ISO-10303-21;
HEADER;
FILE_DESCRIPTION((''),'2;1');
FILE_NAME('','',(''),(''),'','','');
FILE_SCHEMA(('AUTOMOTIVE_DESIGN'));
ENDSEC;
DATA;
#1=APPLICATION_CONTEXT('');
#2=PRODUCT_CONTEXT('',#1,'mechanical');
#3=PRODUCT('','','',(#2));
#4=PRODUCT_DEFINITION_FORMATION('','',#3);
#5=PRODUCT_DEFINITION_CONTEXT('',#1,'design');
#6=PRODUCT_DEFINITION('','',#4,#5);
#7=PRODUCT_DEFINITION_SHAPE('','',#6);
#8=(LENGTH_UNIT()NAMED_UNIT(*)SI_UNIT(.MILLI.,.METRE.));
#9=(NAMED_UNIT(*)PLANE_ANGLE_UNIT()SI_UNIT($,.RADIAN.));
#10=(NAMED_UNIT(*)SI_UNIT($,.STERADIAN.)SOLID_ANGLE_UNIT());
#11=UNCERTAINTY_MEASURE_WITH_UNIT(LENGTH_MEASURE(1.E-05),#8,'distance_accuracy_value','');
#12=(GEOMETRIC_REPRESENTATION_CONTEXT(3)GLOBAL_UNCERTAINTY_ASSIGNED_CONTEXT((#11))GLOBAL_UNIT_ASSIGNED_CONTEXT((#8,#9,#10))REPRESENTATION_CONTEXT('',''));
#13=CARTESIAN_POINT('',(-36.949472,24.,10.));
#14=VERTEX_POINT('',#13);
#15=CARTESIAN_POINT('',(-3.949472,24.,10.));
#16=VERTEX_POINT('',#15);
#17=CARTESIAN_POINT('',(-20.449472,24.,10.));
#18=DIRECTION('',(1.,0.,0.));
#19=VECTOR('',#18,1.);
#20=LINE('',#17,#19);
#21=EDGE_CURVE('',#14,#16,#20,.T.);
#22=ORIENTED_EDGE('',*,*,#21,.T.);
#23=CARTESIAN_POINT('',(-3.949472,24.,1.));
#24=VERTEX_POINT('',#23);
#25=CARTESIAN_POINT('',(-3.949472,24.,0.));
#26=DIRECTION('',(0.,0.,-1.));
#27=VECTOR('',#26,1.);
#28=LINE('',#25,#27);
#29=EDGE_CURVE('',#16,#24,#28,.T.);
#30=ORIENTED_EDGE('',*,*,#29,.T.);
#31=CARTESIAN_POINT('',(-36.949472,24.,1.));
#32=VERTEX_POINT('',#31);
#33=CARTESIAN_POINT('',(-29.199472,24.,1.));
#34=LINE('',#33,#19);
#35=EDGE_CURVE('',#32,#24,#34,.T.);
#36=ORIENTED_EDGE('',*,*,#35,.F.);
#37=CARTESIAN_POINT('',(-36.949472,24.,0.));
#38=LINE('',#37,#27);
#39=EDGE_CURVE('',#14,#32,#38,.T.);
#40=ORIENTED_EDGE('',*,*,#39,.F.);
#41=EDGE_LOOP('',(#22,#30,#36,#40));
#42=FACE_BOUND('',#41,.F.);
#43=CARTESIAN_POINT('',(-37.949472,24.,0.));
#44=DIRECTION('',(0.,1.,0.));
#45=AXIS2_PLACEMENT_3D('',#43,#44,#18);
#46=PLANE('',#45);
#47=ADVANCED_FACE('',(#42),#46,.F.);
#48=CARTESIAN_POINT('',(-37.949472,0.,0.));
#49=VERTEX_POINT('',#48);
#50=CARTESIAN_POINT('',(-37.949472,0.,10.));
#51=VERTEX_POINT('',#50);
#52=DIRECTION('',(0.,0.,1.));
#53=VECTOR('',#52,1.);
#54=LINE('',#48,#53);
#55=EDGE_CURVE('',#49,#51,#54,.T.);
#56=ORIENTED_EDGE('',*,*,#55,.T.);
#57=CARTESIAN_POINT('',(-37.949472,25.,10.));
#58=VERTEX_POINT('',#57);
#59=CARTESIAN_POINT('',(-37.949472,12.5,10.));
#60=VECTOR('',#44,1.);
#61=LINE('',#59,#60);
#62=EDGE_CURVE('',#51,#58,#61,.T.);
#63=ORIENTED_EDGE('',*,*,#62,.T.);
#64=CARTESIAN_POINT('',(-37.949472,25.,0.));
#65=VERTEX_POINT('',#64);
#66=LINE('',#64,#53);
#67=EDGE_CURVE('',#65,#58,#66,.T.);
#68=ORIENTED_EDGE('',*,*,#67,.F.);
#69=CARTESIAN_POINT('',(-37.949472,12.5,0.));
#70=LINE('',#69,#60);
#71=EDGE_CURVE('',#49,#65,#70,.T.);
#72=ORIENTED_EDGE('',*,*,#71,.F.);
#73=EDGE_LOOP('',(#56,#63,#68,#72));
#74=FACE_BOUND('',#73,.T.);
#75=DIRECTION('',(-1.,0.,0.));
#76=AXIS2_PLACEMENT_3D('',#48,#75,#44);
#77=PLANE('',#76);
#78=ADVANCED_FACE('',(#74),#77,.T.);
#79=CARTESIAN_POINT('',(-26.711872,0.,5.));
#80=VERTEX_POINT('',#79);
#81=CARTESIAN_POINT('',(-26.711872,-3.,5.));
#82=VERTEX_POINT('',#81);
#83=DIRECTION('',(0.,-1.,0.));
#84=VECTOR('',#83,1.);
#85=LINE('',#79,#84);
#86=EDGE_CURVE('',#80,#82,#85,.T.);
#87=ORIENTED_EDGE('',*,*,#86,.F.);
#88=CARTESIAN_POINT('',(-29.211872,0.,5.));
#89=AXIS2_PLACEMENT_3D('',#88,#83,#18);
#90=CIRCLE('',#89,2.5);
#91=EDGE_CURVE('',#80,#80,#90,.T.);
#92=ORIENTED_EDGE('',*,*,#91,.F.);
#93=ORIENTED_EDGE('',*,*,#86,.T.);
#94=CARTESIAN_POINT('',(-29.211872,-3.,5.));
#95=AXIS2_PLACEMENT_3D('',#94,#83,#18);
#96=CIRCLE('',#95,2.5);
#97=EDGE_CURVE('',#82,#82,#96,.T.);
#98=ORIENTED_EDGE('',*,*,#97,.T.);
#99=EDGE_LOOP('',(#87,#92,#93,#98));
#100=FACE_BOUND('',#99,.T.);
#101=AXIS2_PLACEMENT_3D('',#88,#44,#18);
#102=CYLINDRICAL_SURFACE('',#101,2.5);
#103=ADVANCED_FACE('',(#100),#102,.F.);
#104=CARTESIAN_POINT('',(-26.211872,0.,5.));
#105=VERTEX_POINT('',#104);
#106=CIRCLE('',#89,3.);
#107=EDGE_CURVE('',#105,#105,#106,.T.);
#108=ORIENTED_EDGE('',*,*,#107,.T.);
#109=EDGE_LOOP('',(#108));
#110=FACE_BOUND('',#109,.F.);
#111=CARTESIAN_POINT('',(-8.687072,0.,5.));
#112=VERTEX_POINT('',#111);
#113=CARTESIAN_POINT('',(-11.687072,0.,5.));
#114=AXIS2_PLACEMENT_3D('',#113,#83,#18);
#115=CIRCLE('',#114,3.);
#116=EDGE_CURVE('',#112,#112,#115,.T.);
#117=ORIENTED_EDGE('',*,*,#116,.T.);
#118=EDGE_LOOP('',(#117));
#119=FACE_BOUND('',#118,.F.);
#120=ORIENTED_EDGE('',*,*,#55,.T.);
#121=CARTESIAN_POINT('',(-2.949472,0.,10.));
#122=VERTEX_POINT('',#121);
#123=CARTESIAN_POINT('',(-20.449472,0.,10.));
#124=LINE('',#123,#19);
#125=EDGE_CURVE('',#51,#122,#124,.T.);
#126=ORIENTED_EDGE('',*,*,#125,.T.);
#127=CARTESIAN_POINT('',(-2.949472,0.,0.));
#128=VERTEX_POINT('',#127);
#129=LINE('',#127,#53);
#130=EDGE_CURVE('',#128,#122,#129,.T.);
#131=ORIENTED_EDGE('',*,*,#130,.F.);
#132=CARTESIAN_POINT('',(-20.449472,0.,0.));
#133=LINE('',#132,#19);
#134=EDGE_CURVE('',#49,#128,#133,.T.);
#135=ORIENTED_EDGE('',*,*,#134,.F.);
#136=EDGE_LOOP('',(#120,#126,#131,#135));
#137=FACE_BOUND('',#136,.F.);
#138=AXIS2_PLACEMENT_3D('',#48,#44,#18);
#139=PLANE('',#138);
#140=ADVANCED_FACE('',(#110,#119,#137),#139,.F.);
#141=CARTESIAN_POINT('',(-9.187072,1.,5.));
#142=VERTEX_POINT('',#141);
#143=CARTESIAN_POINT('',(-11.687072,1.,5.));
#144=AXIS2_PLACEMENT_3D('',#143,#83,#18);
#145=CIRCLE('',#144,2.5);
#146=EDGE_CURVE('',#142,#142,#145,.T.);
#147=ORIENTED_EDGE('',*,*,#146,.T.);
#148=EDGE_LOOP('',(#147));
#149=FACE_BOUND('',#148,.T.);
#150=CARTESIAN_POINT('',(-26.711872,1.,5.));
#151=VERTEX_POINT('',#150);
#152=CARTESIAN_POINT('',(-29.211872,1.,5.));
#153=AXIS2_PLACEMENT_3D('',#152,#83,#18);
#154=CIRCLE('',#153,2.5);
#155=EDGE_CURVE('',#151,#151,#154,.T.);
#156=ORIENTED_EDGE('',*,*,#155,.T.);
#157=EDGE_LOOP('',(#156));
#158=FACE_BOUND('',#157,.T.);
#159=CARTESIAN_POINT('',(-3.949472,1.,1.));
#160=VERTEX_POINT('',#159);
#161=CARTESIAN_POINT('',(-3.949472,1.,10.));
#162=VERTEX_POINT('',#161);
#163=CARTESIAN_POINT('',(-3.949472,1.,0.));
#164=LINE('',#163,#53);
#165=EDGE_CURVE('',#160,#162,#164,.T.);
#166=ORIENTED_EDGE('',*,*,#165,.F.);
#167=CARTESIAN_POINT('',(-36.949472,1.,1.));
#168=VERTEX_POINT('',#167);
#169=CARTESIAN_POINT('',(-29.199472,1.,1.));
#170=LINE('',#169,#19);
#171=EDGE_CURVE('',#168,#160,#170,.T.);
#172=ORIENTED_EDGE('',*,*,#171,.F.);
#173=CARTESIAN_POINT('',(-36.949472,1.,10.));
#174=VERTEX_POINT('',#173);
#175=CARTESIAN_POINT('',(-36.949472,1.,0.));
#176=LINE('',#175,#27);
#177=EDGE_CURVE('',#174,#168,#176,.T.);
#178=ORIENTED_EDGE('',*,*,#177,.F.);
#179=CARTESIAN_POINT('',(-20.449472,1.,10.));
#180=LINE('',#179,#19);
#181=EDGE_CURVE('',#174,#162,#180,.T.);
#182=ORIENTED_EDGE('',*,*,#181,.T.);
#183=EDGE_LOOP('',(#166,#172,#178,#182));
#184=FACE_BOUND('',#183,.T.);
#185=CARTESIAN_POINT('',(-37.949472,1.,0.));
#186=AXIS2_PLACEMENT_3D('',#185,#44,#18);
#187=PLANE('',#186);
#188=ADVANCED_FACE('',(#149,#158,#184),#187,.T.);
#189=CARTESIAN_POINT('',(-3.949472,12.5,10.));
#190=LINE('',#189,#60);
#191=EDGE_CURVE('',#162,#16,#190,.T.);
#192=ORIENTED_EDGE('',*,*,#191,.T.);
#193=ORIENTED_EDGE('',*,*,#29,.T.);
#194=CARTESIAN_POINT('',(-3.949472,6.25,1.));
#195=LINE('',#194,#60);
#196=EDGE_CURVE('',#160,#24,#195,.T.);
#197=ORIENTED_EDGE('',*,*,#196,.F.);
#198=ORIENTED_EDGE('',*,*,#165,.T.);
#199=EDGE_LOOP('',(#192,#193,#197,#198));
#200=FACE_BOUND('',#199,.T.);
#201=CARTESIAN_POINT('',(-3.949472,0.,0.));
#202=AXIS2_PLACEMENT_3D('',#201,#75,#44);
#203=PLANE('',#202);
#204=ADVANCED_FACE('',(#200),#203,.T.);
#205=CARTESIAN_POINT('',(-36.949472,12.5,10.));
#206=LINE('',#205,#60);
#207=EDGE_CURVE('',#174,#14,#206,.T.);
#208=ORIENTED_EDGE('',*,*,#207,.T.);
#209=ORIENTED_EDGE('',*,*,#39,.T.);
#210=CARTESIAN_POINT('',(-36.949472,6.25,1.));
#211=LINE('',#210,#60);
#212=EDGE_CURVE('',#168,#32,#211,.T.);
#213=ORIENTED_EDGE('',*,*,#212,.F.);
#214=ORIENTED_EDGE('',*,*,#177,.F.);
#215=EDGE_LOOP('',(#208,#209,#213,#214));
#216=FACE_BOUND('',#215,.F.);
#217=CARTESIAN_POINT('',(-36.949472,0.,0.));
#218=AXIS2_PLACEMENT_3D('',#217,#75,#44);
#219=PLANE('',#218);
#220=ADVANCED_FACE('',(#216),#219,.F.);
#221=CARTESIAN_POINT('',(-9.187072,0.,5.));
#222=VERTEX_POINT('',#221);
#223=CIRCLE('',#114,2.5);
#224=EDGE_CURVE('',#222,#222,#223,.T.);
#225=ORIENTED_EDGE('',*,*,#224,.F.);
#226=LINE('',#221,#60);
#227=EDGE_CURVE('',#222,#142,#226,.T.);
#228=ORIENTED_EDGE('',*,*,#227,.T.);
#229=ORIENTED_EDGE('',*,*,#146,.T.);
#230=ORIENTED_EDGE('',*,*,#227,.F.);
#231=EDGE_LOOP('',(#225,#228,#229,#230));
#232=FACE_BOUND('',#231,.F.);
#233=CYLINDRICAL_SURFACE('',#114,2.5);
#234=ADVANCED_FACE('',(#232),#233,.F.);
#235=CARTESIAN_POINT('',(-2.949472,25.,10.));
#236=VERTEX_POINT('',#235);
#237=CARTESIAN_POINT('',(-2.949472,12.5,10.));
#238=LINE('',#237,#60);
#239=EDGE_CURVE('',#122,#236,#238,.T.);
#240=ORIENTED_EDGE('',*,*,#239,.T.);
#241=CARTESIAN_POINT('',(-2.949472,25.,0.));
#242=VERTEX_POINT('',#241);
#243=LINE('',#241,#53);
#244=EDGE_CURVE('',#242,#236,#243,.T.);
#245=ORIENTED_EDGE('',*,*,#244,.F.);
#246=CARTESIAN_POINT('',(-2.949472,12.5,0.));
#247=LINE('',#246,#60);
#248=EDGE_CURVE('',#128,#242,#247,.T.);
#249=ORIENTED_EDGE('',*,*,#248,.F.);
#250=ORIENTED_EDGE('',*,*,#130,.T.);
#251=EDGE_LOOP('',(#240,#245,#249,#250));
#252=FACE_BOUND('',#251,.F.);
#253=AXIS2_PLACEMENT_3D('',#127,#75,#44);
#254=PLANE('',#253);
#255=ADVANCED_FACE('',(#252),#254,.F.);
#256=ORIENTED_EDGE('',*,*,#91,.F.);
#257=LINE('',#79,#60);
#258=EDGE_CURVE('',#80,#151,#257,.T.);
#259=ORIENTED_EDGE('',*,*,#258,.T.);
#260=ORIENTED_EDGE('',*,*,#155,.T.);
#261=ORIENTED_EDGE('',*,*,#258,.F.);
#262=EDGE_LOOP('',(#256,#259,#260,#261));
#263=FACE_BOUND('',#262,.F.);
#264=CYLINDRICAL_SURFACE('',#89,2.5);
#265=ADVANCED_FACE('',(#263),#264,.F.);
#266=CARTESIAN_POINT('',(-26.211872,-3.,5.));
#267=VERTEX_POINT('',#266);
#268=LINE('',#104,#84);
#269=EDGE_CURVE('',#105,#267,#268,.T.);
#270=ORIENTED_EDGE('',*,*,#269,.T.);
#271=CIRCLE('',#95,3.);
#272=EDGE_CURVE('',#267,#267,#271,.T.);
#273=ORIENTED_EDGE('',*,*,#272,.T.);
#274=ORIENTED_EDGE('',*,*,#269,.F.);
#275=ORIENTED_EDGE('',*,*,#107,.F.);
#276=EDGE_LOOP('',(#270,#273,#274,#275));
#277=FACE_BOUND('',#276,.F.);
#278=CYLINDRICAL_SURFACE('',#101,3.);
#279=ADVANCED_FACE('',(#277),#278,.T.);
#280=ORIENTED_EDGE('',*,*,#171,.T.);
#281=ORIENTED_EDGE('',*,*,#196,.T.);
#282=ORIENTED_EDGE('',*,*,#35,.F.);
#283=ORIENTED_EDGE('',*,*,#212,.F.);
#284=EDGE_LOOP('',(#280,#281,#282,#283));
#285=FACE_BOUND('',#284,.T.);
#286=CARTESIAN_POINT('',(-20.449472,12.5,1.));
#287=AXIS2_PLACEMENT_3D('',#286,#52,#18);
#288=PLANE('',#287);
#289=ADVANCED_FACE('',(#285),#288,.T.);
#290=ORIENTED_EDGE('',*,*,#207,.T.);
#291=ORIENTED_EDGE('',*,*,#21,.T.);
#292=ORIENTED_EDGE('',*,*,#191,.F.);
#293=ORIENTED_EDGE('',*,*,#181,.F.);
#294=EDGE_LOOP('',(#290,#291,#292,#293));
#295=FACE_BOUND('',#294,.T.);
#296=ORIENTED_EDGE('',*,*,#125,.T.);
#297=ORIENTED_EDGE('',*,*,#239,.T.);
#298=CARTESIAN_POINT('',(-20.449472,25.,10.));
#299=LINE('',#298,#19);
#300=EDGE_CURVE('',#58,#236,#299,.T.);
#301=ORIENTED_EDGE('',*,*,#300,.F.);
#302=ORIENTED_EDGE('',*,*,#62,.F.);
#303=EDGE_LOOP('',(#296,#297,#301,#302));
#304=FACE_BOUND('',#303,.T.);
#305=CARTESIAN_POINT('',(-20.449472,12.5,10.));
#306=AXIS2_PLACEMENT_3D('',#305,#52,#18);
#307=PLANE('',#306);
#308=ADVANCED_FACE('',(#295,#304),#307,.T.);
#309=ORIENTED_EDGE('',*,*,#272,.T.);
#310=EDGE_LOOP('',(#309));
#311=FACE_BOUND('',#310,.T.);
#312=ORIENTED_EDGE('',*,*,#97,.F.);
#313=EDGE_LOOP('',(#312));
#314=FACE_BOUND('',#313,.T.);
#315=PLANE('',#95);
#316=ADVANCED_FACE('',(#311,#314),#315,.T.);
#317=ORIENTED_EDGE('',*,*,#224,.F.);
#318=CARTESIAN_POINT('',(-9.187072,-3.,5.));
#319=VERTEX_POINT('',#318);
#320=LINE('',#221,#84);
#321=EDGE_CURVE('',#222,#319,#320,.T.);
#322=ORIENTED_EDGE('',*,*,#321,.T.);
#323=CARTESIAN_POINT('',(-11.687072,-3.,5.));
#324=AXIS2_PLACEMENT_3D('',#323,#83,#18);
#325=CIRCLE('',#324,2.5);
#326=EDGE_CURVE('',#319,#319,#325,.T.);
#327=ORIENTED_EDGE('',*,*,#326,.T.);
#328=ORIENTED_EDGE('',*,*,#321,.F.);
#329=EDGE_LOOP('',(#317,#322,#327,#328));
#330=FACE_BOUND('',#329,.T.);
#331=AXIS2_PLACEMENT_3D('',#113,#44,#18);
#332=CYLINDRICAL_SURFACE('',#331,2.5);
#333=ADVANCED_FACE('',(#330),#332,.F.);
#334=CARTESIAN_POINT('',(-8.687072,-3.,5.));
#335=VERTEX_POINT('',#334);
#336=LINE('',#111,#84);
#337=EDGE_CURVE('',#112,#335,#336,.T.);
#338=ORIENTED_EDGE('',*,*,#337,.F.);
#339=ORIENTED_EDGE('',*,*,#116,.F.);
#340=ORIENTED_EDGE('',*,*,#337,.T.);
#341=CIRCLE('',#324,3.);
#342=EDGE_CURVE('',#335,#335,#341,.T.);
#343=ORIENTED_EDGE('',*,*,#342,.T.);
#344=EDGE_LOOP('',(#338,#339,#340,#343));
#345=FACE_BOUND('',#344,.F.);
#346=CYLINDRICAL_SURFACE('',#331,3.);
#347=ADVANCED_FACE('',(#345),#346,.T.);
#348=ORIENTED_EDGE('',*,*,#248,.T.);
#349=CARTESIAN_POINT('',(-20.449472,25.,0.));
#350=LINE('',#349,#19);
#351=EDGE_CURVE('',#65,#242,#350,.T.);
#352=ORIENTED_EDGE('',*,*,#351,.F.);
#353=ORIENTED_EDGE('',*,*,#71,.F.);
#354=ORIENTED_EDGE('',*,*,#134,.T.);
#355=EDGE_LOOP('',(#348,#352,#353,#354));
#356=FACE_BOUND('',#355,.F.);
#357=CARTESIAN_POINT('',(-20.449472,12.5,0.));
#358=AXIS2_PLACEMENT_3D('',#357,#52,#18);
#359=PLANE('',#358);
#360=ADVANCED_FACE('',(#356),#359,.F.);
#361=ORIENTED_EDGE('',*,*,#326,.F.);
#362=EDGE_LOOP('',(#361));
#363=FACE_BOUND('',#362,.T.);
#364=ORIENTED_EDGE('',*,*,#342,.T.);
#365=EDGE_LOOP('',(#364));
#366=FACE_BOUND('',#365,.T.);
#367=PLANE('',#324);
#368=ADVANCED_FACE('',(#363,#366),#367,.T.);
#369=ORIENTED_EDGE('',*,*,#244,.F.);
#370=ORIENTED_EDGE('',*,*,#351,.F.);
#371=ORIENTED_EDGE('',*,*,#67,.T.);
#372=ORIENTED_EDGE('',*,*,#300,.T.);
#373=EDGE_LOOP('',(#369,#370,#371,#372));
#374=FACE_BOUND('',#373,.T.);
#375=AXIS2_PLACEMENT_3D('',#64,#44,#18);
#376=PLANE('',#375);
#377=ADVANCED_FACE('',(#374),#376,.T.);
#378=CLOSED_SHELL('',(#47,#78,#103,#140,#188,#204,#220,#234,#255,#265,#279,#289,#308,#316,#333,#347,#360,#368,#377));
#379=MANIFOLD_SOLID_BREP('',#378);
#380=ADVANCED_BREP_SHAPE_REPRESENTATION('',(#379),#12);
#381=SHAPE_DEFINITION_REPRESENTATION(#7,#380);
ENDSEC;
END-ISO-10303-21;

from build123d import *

# Parameters (mm, degrees)
F0_W     = 35
F0_H     = 25
F1_DEPTH = 10
F3_T     = -1
F2_R     = 3
F2_R_2   = 2.5
F4_DEPTH = 3
F5_DEPTH = 1


with BuildPart() as f1:
    # F0 (on Top) → F1 (new body)
    with BuildSketch(Plane.XY):
        with Locations((-20.4494718197, 12.5)):
            Rectangle(F0_W, F0_H)
    extrude(amount=F1_DEPTH)

    # F3
    f3_openings = [f1.faces().sort_by_distance(p)[0] for p in [
        (-20.449472, 12.5, 10),
    ]]
    offset(amount=F3_T, openings=f3_openings)

    # F2 (on face) → F4 (join)
    with BuildSketch(Plane.XZ):
        with Locations((-29.2118718197, 5)):
            Circle(F2_R)
        with Locations((-29.2118718197, 5)):
            Circle(F2_R_2, mode=Mode.SUBTRACT)
        with Locations((-11.6870718197, 5)):
            Circle(F2_R)
        with Locations((-11.6870718197, 5)):
            Circle(F2_R_2, mode=Mode.SUBTRACT)
    extrude(amount=F4_DEPTH)

    # F5 (cut): faces of the model
    f5_faces = [f1.faces().sort_by_distance(p)[0] for p in [
        (-29.2118718197, 0, 5),
        (-11.6870718197, 0, 5),
    ]]
    extrude(f5_faces, amount=-F5_DEPTH, mode=Mode.SUBTRACT)


solid = f1.part
